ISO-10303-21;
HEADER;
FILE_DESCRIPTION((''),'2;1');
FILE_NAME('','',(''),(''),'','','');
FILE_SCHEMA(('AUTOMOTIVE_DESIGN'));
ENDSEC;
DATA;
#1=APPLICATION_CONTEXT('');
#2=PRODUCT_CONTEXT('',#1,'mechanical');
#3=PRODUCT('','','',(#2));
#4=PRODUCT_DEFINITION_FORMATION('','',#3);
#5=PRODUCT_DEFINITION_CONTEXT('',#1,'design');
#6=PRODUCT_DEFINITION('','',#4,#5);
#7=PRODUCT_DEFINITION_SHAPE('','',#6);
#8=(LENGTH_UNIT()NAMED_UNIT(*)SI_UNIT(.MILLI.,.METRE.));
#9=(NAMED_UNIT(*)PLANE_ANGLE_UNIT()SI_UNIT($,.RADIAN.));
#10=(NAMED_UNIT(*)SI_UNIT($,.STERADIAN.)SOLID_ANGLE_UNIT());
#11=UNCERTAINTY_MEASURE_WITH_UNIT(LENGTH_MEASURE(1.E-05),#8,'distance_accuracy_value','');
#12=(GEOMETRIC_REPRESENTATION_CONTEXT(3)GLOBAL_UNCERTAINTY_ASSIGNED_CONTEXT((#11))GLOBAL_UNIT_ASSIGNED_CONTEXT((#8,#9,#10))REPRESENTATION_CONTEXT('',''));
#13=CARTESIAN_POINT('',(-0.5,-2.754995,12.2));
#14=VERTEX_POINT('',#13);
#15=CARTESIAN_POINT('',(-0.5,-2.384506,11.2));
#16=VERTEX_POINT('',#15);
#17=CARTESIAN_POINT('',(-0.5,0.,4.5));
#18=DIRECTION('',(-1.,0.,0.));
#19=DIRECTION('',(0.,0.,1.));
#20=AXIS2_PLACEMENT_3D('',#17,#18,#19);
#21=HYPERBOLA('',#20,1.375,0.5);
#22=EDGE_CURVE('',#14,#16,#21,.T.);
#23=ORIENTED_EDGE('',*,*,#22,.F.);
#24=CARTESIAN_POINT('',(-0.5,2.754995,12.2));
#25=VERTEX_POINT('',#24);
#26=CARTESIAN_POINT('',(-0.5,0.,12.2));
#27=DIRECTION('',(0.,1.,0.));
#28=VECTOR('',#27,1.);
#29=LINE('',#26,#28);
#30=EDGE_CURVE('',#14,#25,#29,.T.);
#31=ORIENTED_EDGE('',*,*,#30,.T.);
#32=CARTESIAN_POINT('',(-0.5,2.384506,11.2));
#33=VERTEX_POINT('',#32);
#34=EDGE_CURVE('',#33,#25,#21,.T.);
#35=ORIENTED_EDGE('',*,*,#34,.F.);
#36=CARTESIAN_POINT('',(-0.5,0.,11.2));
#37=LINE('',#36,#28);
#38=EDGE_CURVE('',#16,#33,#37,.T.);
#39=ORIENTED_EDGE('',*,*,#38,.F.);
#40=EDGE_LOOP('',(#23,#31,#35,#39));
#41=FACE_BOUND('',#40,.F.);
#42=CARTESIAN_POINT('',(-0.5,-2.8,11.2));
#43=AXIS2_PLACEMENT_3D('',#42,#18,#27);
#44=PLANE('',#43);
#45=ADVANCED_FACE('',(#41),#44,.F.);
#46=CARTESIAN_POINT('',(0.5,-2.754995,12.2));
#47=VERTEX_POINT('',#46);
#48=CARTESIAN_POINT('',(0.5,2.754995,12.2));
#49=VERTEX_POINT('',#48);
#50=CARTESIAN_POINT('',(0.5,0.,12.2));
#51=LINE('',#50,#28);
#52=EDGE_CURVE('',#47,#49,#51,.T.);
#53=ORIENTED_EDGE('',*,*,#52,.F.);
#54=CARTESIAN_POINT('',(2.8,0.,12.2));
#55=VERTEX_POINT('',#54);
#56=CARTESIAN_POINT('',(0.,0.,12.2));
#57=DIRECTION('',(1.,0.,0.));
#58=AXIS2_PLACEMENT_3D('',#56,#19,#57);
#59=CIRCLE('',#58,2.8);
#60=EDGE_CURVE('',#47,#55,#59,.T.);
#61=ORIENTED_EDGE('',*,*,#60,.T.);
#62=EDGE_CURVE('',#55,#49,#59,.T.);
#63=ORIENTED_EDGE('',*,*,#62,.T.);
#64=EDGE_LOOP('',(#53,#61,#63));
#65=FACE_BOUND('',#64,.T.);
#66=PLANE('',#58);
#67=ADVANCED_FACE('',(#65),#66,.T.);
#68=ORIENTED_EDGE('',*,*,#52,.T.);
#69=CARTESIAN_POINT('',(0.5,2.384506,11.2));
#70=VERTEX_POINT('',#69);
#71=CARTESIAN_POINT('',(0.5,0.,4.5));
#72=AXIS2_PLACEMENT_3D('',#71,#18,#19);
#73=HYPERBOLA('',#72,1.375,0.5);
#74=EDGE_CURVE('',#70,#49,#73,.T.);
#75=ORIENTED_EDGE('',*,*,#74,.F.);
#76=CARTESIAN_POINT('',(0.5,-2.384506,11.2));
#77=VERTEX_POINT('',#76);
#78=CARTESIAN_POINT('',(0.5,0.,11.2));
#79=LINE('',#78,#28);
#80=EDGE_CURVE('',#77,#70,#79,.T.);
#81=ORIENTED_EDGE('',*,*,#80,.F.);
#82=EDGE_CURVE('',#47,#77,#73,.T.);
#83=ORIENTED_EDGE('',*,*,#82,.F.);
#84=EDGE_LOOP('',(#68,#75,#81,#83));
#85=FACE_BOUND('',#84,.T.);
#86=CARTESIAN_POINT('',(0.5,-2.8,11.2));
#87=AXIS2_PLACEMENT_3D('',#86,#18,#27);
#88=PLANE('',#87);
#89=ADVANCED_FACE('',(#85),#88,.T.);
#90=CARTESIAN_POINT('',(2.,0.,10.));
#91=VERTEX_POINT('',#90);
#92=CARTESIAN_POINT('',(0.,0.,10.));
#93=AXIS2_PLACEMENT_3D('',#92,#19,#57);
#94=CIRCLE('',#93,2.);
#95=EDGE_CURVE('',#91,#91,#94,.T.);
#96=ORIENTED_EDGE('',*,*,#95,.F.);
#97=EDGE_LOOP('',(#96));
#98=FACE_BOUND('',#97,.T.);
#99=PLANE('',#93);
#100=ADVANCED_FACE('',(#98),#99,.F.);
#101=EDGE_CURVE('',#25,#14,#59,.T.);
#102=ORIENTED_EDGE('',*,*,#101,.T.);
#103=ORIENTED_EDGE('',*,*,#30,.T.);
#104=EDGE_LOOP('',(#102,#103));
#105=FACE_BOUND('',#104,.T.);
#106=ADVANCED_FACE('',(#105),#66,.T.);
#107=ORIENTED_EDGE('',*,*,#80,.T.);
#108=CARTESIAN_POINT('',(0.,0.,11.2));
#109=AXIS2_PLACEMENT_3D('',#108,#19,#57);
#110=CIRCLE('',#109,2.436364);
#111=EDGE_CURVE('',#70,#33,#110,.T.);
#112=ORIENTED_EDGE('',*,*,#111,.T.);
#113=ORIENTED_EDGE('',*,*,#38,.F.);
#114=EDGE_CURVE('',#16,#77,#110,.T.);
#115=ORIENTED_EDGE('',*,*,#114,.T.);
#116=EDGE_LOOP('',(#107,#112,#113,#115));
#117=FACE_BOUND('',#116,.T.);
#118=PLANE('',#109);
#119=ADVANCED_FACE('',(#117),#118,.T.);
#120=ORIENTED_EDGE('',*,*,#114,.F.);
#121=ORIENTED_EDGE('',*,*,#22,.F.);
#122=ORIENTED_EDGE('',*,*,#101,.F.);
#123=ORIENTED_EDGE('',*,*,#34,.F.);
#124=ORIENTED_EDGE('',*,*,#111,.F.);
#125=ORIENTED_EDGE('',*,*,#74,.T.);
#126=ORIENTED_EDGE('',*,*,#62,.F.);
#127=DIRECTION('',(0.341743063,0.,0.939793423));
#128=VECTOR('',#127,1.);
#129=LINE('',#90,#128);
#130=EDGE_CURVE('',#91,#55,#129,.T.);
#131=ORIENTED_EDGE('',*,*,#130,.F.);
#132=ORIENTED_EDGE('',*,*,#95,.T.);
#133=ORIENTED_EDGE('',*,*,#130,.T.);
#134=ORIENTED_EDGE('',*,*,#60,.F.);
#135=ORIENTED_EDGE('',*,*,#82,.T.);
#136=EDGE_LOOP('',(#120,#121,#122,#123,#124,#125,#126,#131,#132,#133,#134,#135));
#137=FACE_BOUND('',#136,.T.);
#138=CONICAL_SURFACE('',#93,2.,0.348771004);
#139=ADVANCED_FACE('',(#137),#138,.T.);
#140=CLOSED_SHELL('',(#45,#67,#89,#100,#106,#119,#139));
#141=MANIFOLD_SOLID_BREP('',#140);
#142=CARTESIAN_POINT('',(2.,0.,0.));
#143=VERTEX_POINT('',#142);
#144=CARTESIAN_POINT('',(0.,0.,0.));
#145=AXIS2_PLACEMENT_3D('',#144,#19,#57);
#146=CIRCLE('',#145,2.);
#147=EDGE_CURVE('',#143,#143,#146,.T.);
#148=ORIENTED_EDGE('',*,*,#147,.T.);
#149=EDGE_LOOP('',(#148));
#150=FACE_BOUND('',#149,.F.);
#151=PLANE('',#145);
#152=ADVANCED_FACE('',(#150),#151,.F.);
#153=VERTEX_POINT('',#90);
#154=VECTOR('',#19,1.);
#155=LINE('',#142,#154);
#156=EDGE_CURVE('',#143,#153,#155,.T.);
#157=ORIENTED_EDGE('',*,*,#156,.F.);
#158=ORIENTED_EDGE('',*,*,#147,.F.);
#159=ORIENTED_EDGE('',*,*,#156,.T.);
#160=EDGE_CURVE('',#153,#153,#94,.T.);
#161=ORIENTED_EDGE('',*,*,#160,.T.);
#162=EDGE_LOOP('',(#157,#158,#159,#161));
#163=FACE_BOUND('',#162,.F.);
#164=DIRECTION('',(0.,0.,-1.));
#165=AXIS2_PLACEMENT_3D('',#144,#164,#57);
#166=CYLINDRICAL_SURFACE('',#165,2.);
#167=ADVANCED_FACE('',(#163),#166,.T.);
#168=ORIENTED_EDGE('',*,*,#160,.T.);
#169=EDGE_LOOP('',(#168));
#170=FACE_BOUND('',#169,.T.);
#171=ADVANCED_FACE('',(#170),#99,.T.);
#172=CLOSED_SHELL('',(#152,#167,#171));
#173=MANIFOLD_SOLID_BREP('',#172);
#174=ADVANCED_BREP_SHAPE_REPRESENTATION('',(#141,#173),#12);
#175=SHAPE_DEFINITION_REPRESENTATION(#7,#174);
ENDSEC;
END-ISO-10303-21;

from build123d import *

# Parameters (mm, degrees)
CYLINDER_R     = 2
CYLINDER_DEPTH = 10
BOX_W          = 1
BOX_H          = 5.6
BOX_DEPTH      = 1


with BuildPart() as cilindre:
    # Cylinder → Cylinder (new body)
    with BuildSketch(Plane.XY):
        Circle(CYLINDER_R)
    extrude(amount=CYLINDER_DEPTH)


with BuildPart() as cub:
    # Box → Box (new body)
    with BuildSketch(Plane(origin=(-0.5, -2.8, 11.2), x_dir=(1, 0, 0), z_dir=(0, 0, 1))):
        with Locations((0.5, 2.8)):
            Rectangle(BOX_W, BOX_H)
    extrude(amount=BOX_DEPTH)


with BuildPart() as cut:
    # Cone → Cone (revolve)
    with BuildSketch(Plane(origin=(0, 0, 10), x_dir=(1, 0, 0), z_dir=(0, -1, 0))):
        Polygon((0, 0), (2, 0), (2.8, 2.2), (0, 2.2), align=None)
    revolve(axis=Axis((0, 0, 10), (0, 0, 1)))

    # Cut: cut Cub
    add(cub.part, mode=Mode.SUBTRACT)


solid = Compound([cilindre.part, cut.part])
